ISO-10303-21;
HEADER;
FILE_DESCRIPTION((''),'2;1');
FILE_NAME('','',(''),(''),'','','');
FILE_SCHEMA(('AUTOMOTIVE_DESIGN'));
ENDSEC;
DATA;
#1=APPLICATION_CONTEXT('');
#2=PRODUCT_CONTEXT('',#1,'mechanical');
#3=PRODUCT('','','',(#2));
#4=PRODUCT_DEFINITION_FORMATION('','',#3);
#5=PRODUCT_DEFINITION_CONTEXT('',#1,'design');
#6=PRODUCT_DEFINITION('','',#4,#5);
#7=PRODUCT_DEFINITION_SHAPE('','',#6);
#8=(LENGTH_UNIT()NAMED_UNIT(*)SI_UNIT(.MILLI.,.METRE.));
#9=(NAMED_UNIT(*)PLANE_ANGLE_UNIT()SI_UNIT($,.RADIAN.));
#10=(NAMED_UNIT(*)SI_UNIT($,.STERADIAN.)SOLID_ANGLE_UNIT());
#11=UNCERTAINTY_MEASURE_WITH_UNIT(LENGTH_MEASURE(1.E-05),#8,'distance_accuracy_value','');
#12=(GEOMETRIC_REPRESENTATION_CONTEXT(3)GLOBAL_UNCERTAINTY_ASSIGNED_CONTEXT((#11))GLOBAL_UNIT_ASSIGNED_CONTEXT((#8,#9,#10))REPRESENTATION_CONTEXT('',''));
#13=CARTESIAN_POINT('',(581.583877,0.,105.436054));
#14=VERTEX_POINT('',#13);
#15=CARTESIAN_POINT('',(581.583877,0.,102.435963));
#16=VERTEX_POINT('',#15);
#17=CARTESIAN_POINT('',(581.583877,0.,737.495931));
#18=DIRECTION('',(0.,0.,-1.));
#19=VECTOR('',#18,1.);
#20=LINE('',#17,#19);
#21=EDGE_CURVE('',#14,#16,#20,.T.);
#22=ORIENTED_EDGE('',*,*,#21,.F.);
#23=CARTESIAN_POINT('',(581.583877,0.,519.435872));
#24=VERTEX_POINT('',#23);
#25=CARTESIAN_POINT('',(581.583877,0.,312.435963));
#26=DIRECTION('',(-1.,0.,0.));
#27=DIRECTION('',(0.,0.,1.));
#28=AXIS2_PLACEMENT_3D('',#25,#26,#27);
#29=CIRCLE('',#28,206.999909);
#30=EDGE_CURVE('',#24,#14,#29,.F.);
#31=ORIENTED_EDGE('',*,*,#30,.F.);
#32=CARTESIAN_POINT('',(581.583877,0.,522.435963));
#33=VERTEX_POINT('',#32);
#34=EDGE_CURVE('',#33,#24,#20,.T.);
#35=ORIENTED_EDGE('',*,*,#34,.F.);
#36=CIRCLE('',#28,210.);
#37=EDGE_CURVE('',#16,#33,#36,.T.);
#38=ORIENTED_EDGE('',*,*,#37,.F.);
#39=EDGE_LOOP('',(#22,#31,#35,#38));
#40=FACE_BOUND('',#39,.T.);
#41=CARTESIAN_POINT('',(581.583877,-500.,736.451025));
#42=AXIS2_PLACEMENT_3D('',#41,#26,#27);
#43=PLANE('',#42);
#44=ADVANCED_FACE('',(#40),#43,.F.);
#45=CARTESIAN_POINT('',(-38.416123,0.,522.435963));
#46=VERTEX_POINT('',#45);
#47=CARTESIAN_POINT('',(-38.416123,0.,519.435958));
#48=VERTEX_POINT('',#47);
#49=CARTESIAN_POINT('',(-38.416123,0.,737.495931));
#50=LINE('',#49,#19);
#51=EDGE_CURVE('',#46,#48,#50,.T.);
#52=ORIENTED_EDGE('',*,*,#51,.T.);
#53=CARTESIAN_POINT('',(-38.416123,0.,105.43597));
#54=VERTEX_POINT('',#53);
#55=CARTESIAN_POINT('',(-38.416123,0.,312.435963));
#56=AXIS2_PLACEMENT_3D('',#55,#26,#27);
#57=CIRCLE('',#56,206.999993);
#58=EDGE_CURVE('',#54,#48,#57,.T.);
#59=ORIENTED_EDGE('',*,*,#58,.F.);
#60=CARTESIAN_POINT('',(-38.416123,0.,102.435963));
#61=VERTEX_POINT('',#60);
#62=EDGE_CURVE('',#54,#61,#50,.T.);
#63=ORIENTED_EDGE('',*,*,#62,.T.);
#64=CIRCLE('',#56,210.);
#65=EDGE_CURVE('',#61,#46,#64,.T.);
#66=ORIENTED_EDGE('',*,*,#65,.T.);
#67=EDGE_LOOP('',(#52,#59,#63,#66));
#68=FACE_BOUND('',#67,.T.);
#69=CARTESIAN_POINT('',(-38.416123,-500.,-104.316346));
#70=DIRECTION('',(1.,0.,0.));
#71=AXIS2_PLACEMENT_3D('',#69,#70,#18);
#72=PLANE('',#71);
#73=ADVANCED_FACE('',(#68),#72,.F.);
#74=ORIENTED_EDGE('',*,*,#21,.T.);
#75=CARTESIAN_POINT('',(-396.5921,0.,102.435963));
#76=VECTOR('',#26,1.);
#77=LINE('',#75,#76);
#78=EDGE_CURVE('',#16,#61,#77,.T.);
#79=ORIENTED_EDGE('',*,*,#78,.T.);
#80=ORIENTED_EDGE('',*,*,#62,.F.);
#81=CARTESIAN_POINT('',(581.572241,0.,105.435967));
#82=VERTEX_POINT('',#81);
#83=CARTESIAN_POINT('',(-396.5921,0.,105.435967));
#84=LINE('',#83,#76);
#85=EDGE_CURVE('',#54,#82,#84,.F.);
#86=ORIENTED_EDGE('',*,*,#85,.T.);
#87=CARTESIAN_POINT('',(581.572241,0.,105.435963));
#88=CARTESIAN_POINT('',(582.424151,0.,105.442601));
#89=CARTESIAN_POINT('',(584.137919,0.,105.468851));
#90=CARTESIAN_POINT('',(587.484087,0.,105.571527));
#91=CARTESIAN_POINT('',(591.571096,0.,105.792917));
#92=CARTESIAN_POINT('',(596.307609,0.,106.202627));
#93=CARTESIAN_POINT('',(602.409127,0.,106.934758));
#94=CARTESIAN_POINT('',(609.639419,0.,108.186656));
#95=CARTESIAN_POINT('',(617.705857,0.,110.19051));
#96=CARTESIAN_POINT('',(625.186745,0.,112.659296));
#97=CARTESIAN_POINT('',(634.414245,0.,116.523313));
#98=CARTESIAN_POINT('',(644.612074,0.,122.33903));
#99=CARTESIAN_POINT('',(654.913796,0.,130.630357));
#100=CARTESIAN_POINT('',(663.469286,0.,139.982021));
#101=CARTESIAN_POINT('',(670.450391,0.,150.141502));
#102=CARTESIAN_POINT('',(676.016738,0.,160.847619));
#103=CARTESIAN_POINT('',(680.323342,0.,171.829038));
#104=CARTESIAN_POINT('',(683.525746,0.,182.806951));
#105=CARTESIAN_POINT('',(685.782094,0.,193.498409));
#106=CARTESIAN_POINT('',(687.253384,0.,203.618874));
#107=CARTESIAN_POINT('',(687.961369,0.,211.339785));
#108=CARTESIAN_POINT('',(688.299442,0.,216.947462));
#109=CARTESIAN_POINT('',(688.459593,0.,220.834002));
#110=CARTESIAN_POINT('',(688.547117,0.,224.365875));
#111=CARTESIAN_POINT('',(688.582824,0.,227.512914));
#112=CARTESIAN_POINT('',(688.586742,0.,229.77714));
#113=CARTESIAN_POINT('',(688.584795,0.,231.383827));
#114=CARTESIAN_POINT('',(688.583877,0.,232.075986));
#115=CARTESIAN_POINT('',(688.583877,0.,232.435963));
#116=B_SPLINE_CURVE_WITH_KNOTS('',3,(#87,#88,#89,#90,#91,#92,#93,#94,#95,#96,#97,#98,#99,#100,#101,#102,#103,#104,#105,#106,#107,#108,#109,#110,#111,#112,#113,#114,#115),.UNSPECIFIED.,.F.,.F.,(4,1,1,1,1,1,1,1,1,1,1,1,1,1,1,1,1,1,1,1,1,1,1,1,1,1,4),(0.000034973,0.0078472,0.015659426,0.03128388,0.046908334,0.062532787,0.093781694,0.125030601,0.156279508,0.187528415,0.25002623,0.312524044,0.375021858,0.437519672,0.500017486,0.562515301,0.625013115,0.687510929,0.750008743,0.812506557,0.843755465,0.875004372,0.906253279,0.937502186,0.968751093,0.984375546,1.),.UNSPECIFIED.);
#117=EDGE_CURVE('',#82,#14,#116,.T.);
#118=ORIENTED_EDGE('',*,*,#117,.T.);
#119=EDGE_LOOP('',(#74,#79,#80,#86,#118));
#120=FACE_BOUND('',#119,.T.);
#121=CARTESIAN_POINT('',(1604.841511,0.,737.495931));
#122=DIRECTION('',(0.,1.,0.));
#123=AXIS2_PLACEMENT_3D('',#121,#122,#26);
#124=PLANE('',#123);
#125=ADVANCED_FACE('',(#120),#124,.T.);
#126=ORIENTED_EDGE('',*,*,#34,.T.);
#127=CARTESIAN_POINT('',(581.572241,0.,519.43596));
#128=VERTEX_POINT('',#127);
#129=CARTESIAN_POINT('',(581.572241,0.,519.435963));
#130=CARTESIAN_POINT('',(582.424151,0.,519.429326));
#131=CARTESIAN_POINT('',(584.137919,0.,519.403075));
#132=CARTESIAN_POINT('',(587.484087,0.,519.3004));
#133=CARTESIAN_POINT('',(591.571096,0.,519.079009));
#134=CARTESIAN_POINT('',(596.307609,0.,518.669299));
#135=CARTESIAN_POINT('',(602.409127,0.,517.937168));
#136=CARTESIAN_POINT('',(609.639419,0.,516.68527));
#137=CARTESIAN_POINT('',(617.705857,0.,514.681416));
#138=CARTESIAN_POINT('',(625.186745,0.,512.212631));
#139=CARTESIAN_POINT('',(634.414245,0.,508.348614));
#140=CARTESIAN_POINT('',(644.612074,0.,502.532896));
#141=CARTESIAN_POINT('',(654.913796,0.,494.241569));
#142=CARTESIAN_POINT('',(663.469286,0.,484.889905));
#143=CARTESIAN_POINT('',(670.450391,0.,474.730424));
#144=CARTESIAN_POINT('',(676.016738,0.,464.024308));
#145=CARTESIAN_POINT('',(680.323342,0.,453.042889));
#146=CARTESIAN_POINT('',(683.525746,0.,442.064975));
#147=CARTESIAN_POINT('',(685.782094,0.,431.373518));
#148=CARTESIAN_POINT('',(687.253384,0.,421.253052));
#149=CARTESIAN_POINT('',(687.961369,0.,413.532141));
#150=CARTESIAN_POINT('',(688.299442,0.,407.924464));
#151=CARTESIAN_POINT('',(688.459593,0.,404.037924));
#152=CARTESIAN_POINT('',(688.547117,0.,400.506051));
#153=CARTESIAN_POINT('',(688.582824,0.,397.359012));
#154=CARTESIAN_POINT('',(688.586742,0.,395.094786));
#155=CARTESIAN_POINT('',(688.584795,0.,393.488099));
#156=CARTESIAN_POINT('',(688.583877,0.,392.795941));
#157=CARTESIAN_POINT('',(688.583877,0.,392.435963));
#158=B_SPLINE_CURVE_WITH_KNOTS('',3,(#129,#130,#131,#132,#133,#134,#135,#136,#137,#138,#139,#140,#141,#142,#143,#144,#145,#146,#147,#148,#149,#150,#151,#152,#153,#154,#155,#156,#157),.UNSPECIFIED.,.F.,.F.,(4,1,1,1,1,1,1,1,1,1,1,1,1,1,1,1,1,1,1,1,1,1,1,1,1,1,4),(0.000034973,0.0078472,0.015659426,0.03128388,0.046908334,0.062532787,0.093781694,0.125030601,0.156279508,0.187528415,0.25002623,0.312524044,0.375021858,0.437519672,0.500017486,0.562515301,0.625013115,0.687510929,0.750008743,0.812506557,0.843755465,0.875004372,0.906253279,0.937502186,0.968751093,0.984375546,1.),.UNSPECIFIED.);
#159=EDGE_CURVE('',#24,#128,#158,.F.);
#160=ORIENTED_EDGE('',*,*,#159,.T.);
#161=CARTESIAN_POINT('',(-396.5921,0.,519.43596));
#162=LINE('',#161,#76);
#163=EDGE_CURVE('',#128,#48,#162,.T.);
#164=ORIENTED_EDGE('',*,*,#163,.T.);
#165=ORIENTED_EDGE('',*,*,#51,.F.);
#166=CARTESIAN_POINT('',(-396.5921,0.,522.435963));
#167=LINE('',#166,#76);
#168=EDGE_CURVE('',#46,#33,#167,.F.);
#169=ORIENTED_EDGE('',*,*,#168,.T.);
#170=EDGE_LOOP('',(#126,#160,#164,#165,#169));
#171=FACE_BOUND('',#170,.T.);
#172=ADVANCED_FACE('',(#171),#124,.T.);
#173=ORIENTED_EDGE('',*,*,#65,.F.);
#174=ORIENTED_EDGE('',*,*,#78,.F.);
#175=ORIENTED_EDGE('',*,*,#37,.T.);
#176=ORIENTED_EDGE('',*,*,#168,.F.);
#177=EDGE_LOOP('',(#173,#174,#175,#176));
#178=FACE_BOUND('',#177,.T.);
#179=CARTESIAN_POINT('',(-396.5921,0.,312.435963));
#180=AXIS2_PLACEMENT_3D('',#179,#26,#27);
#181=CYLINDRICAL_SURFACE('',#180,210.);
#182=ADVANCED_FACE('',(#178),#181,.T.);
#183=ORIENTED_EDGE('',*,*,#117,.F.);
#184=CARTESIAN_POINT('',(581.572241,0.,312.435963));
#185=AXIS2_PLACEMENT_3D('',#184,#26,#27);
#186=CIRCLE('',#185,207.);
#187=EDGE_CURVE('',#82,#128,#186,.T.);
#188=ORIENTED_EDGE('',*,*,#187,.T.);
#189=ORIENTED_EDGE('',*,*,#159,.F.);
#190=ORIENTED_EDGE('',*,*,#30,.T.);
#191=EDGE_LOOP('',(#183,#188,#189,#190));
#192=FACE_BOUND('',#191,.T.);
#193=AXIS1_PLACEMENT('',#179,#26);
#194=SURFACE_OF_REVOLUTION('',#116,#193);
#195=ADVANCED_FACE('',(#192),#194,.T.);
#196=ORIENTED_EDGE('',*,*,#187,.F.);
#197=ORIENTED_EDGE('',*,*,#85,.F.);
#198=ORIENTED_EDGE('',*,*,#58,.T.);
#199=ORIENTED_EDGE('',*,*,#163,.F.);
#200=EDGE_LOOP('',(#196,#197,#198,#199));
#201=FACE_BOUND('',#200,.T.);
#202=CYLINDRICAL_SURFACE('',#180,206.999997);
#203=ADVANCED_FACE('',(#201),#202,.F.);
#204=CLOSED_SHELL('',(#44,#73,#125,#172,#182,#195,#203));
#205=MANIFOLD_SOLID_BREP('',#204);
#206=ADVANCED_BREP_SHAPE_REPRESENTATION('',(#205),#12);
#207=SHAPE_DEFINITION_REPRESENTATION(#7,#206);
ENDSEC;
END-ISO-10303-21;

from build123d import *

# Parameters (mm, degrees)
SKETCH4_W          = 958.607886296
SKETCH4_H          = 357.948466727
CUT_EXTRUDE2_DEPTH = 620
SKETCH5_W          = 348.415387901
SKETCH5_H          = 679.160017281
SKETCH5_W_2        = 379.676333146
SKETCH5_H_2        = 859.178335114
CUT_EXTRUDE3_DEPTH = 500


with BuildPart() as part:
    # Sketch1 → Revolve1 (revolve)
    with BuildSketch(Plane(origin=(0, 0, 0), x_dir=(1, 0, 0), z_dir=(0, 1, 0)), mode=Mode.PRIVATE) as revolve1_sk:
        with BuildLine():
            Line((-38.416122965, -102.435963202), (581.583877035, -102.435963202))
            add(Edge.make_bspline(
                [(581.583877035, -102.435963202), (693.455539681, -103.300064727), (691.583877035, -210.80239754), (691.583877035, -232.435963192)],
                knots=[0, 0, 0, 0, 1, 1, 1, 1], degree=3))
            Line((691.583877035, -232.435963192), (688.583877035, -232.435963192))
            add(Edge.make_bspline(
                [(581.572240946, -105.435963202), (582.424150652, -105.442600659), (584.137918536, -105.468851395), (587.484086921, -105.571526796), (591.571096113, -105.792916991), (596.307608869, -106.20262694), (602.409126826, -106.934758126), (609.639419087, -108.18665603), (617.705857071, -110.190510236), (625.186745256, -112.659295822), (634.414245375, -116.523312816), (644.612073728, -122.339029978), (654.913796392, -130.630357057), (663.469285855, -139.982021209), (670.450391217, -150.141502012), (676.016737994, -160.847618745), (680.323342136, -171.829037867), (683.525745861, -182.806951112), (685.782094183, -193.498408861), (687.253383878, -203.618874424), (687.961369137, -211.339785332), (688.299442483, -216.947462036), (688.459593049, -220.834002423), (688.547117141, -224.365875375), (688.582824389, -227.512914091), (688.58674237, -229.777140481), (688.584795317, -231.383827189), (688.583877035, -232.075985649), (688.583877035, -232.435963192)],
                knots=[3.4973e-05, 3.4973e-05, 3.4973e-05, 3.4973e-05, 0.0078472, 0.015659426, 0.03128388, 0.046908334, 0.062532787, 0.093781694, 0.125030601, 0.156279508, 0.187528415, 0.25002623, 0.312524044, 0.375021858, 0.437519672, 0.500017486, 0.562515301, 0.625013115, 0.687510929, 0.750008743, 0.812506557, 0.843755465, 0.875004372, 0.906253279, 0.937502186, 0.968751093, 0.984375546, 1, 1, 1, 1], degree=3))
            Line((581.572240946, -105.435963202), (-38.416122951, -105.435969803))
            add(Edge.make_bspline(
                [(-145.416150087, -297.448719694), (-145.415786094, -297.363118797), (-145.414261278, -297.209117302), (-145.406482156, -296.763589127), (-145.387577621, -296.059017238), (-145.348080967, -294.963719442), (-145.270536885, -293.196191663), (-145.12221169, -290.430217628), (-144.846888777, -286.292241124), (-144.459106758, -281.402026013), (-143.771963774, -273.967299792), (-142.556325425, -263.124157442), (-140.406308296, -248.159348272), (-137.445210779, -231.767940973), (-133.55430361, -214.477141353), (-128.616651259, -196.81526366), (-122.518262583, -179.311948455), (-115.149922932, -162.497881736), (-106.409989847, -146.903194531), (-96.207058742, -133.05233616), (-86.417989624, -123.386032183), (-77.769632288, -117.014146282), (-70.859172034, -112.970513688), (-63.504748075, -109.716446776), (-56.985343251, -107.708604585), (-51.52041341, -106.554160283), (-47.294097057, -105.922162765), (-43.659473987, -105.597170774), (-40.689467236, -105.462466746), (-39.171234927, -105.437583269), (-38.416122951, -105.435969803)],
                knots=[2.115e-05, 2.115e-05, 2.115e-05, 2.115e-05, 0.007833485, 0.015645819, 0.031270489, 0.046895159, 0.062519828, 0.093769167, 0.125018506, 0.156267845, 0.187517184, 0.250015862, 0.312514541, 0.375013219, 0.437511897, 0.500010575, 0.562509253, 0.625007931, 0.687506609, 0.750005287, 0.812503966, 0.843753305, 0.875002644, 0.906251983, 0.937501322, 0.953125991, 0.968750661, 0.98437533, 0.992187665, 1, 1, 1, 1], degree=3))
            Line((-145.416150087, -297.448719694), (-148.416122965, -297.435963202))
            add(Edge.make_bspline(
                [(-38.416122965, -102.435963202), (-139.444928363, -102.64405425), (-148.369931417, -286.57299354), (-148.416122965, -297.435963202)],
                knots=[0, 0, 0, 0, 1, 1, 1, 1], degree=3))
        make_face()
    revolve(revolve1_sk.sketch.rotate(Axis((-396.592099756, 0, 312.435963202), (1, 0, 0)), 180), axis=Axis((-396.592099756, 0, 312.435963202), (1, 0, 0)))

    # Sketch4 → Cut-Extrude2 (cut)
    with BuildSketch(Plane(origin=(-38.416122965, 0, 0), x_dir=(0, 0, -1), z_dir=(1, 0, 0))):
        with Locations((-258.191988159, 178.974233364)):
            Rectangle(SKETCH4_W, SKETCH4_H)
    extrude(amount=CUT_EXTRUDE2_DEPTH, mode=Mode.SUBTRACT)

    # Sketch5 → Cut-Extrude3 (cut, symmetric)
    with BuildSketch(Plane(origin=(0, 0, 0), x_dir=(1, 0, 0), z_dir=(0, 1, 0))):
        with Locations((-212.623816916, -235.263662883)):
            Rectangle(SKETCH5_W, SKETCH5_H)
        with Locations((771.422043608, -306.861857476)):
            Rectangle(SKETCH5_W_2, SKETCH5_H_2)
    extrude(amount=CUT_EXTRUDE3_DEPTH, both=True, mode=Mode.SUBTRACT)


solid = part.part
